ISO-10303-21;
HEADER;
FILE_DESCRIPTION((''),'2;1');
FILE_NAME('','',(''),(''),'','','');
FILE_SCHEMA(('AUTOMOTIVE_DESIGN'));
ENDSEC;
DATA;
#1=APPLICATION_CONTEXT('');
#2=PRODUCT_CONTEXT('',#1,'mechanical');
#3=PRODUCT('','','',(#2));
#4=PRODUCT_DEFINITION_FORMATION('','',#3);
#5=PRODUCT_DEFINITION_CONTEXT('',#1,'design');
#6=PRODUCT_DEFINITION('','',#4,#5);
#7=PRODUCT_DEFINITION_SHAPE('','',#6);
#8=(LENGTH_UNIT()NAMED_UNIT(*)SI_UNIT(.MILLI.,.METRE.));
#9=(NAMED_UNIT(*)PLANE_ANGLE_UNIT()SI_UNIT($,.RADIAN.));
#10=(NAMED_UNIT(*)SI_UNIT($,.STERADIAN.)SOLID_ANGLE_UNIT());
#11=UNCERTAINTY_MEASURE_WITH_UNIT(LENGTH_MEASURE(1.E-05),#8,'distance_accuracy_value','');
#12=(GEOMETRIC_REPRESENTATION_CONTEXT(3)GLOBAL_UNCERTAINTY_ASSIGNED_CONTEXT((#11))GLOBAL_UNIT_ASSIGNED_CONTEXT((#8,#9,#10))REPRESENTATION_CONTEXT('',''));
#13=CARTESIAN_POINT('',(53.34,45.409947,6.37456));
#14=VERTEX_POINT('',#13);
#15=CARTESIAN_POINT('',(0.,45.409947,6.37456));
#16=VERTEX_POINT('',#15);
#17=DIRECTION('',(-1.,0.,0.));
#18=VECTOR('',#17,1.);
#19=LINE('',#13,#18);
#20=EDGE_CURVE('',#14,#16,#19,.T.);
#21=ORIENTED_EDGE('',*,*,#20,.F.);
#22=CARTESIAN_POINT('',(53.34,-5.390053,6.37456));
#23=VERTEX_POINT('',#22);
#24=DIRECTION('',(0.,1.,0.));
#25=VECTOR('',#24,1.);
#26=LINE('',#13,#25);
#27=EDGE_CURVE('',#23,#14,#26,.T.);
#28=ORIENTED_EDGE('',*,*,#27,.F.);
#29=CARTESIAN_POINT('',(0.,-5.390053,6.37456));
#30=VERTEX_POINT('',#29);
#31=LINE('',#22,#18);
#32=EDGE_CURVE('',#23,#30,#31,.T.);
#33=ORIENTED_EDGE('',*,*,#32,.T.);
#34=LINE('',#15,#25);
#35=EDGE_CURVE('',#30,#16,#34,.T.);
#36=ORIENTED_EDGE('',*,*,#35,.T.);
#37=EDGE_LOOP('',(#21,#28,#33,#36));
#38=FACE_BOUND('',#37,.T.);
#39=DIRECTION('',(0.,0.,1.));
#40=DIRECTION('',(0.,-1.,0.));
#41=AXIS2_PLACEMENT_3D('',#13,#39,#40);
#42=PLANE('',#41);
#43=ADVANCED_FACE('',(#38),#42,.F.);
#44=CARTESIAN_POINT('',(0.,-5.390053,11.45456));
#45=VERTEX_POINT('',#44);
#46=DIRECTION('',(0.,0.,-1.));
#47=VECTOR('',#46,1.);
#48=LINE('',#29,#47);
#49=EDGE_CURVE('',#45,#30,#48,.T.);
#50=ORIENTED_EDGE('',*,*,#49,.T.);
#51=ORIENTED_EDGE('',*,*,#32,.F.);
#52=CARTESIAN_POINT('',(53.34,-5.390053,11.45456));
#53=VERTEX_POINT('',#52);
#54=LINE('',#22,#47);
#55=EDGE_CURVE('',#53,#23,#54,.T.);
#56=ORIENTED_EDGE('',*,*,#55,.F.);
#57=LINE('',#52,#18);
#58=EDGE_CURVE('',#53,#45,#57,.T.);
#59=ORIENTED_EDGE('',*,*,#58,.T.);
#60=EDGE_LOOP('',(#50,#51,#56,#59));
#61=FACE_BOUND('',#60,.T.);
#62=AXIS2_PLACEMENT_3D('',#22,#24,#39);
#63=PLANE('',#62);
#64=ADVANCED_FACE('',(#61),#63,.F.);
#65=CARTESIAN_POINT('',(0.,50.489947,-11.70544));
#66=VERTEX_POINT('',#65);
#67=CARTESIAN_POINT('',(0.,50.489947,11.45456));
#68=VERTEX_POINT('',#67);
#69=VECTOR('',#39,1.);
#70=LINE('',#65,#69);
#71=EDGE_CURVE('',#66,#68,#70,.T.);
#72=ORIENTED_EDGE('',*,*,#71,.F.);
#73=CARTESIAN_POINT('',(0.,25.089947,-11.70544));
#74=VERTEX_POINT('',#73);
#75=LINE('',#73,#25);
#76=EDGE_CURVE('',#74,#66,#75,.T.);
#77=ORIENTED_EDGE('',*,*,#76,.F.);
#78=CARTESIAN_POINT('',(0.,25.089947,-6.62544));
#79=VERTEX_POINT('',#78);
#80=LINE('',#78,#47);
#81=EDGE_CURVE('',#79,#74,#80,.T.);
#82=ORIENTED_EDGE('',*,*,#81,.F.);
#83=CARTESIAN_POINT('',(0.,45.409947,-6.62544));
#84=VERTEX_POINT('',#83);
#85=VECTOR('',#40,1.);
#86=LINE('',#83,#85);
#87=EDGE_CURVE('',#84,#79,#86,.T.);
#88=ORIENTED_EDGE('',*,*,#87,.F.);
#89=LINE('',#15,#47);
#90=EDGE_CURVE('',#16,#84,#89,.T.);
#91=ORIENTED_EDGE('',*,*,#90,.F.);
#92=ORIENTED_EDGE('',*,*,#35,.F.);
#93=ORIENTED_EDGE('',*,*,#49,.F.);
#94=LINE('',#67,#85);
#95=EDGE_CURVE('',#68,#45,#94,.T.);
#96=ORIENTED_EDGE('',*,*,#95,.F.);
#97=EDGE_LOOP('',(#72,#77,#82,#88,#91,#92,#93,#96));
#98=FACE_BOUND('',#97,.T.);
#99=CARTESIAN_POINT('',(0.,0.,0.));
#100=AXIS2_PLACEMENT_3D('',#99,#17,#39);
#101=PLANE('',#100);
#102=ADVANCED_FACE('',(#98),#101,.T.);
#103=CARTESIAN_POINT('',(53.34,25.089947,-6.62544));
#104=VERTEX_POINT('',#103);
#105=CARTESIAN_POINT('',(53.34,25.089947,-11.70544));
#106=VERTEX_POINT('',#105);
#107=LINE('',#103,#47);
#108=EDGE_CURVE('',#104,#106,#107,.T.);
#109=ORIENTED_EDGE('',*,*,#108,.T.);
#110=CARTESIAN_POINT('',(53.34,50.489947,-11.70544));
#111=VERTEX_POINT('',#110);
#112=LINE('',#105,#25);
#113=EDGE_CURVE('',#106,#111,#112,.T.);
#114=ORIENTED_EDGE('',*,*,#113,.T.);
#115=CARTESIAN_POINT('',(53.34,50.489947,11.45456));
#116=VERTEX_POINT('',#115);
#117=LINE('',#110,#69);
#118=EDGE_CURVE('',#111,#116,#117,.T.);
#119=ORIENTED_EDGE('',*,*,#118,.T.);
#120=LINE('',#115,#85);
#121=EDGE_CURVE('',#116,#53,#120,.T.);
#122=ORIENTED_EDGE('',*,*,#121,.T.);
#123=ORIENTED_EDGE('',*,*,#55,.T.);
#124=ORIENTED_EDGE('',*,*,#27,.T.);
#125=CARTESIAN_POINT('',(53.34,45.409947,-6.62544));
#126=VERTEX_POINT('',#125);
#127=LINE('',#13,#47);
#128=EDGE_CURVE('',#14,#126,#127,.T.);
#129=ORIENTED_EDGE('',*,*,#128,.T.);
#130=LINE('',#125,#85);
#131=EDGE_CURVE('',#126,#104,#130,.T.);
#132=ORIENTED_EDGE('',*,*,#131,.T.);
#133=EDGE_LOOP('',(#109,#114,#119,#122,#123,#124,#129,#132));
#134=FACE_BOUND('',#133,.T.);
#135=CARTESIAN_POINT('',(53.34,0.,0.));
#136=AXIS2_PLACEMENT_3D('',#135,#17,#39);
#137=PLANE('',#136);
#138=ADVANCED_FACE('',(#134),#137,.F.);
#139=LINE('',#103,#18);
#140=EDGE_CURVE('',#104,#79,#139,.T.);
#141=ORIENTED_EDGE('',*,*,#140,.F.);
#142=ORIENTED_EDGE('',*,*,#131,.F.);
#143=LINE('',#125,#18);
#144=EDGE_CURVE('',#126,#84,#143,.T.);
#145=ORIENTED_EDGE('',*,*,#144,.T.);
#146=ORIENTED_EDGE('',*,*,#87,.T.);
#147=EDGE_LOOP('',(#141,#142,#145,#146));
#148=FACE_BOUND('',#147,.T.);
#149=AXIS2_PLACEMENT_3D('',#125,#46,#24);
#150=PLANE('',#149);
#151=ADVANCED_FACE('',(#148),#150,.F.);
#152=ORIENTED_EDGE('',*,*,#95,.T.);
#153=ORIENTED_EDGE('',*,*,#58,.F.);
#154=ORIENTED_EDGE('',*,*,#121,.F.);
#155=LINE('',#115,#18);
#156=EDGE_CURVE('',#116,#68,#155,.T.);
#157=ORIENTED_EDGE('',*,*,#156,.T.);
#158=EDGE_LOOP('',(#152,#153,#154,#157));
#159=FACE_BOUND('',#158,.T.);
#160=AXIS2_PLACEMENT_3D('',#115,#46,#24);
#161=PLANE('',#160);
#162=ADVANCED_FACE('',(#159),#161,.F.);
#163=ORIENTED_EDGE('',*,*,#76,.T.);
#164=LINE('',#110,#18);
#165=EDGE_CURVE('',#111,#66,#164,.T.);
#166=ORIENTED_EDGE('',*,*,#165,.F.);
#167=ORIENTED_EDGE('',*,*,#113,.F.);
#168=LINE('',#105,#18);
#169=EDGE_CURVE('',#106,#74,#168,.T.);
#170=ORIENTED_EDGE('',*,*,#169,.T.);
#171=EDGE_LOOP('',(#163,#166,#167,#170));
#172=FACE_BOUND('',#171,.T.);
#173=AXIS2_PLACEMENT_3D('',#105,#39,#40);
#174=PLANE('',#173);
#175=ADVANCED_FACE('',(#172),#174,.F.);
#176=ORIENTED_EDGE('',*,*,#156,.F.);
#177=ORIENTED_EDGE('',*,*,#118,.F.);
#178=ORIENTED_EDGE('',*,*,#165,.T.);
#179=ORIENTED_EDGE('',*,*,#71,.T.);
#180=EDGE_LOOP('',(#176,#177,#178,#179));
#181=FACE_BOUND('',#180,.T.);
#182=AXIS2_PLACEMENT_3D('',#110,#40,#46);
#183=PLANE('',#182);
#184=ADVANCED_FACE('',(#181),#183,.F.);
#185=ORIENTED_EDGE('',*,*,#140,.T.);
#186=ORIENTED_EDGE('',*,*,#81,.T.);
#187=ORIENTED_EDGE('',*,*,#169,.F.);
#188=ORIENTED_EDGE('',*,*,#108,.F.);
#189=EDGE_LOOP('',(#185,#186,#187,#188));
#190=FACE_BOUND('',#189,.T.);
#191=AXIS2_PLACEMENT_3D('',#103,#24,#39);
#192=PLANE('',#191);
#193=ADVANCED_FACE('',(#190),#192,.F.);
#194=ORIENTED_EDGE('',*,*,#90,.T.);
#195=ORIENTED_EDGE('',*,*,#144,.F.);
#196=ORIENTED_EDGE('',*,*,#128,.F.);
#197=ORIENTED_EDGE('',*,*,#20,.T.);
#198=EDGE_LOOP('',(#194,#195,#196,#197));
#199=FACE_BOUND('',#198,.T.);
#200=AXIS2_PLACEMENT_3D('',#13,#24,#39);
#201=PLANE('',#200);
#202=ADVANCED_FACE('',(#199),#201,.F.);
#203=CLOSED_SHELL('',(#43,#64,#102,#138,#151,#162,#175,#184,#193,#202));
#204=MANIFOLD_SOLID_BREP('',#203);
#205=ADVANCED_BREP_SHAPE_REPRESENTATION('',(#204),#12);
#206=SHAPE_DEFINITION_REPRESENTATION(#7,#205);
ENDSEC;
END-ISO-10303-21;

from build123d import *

# Parameters (mm, degrees)
BOSS_EXTRUDE1_DEPTH = 53.34


with BuildPart() as part:
    # Sketch1 → Boss-Extrude1 (new body)
    with BuildSketch(Plane(origin=(0, 0, 0), x_dir=(0, 0, -1), z_dir=(1, 0, 0))):
        Polygon((6.625440068, 45.409947125), (6.625440068, 25.089947125), (11.705440068, 25.089947125), (11.705440068, 50.489947125), (-11.454559932, 50.489947125), (-11.454559932, -5.390052875), (-6.374559932, -5.390052875), (-6.374559932, 45.409947125), align=None)
    extrude(amount=BOSS_EXTRUDE1_DEPTH)


solid = part.part
